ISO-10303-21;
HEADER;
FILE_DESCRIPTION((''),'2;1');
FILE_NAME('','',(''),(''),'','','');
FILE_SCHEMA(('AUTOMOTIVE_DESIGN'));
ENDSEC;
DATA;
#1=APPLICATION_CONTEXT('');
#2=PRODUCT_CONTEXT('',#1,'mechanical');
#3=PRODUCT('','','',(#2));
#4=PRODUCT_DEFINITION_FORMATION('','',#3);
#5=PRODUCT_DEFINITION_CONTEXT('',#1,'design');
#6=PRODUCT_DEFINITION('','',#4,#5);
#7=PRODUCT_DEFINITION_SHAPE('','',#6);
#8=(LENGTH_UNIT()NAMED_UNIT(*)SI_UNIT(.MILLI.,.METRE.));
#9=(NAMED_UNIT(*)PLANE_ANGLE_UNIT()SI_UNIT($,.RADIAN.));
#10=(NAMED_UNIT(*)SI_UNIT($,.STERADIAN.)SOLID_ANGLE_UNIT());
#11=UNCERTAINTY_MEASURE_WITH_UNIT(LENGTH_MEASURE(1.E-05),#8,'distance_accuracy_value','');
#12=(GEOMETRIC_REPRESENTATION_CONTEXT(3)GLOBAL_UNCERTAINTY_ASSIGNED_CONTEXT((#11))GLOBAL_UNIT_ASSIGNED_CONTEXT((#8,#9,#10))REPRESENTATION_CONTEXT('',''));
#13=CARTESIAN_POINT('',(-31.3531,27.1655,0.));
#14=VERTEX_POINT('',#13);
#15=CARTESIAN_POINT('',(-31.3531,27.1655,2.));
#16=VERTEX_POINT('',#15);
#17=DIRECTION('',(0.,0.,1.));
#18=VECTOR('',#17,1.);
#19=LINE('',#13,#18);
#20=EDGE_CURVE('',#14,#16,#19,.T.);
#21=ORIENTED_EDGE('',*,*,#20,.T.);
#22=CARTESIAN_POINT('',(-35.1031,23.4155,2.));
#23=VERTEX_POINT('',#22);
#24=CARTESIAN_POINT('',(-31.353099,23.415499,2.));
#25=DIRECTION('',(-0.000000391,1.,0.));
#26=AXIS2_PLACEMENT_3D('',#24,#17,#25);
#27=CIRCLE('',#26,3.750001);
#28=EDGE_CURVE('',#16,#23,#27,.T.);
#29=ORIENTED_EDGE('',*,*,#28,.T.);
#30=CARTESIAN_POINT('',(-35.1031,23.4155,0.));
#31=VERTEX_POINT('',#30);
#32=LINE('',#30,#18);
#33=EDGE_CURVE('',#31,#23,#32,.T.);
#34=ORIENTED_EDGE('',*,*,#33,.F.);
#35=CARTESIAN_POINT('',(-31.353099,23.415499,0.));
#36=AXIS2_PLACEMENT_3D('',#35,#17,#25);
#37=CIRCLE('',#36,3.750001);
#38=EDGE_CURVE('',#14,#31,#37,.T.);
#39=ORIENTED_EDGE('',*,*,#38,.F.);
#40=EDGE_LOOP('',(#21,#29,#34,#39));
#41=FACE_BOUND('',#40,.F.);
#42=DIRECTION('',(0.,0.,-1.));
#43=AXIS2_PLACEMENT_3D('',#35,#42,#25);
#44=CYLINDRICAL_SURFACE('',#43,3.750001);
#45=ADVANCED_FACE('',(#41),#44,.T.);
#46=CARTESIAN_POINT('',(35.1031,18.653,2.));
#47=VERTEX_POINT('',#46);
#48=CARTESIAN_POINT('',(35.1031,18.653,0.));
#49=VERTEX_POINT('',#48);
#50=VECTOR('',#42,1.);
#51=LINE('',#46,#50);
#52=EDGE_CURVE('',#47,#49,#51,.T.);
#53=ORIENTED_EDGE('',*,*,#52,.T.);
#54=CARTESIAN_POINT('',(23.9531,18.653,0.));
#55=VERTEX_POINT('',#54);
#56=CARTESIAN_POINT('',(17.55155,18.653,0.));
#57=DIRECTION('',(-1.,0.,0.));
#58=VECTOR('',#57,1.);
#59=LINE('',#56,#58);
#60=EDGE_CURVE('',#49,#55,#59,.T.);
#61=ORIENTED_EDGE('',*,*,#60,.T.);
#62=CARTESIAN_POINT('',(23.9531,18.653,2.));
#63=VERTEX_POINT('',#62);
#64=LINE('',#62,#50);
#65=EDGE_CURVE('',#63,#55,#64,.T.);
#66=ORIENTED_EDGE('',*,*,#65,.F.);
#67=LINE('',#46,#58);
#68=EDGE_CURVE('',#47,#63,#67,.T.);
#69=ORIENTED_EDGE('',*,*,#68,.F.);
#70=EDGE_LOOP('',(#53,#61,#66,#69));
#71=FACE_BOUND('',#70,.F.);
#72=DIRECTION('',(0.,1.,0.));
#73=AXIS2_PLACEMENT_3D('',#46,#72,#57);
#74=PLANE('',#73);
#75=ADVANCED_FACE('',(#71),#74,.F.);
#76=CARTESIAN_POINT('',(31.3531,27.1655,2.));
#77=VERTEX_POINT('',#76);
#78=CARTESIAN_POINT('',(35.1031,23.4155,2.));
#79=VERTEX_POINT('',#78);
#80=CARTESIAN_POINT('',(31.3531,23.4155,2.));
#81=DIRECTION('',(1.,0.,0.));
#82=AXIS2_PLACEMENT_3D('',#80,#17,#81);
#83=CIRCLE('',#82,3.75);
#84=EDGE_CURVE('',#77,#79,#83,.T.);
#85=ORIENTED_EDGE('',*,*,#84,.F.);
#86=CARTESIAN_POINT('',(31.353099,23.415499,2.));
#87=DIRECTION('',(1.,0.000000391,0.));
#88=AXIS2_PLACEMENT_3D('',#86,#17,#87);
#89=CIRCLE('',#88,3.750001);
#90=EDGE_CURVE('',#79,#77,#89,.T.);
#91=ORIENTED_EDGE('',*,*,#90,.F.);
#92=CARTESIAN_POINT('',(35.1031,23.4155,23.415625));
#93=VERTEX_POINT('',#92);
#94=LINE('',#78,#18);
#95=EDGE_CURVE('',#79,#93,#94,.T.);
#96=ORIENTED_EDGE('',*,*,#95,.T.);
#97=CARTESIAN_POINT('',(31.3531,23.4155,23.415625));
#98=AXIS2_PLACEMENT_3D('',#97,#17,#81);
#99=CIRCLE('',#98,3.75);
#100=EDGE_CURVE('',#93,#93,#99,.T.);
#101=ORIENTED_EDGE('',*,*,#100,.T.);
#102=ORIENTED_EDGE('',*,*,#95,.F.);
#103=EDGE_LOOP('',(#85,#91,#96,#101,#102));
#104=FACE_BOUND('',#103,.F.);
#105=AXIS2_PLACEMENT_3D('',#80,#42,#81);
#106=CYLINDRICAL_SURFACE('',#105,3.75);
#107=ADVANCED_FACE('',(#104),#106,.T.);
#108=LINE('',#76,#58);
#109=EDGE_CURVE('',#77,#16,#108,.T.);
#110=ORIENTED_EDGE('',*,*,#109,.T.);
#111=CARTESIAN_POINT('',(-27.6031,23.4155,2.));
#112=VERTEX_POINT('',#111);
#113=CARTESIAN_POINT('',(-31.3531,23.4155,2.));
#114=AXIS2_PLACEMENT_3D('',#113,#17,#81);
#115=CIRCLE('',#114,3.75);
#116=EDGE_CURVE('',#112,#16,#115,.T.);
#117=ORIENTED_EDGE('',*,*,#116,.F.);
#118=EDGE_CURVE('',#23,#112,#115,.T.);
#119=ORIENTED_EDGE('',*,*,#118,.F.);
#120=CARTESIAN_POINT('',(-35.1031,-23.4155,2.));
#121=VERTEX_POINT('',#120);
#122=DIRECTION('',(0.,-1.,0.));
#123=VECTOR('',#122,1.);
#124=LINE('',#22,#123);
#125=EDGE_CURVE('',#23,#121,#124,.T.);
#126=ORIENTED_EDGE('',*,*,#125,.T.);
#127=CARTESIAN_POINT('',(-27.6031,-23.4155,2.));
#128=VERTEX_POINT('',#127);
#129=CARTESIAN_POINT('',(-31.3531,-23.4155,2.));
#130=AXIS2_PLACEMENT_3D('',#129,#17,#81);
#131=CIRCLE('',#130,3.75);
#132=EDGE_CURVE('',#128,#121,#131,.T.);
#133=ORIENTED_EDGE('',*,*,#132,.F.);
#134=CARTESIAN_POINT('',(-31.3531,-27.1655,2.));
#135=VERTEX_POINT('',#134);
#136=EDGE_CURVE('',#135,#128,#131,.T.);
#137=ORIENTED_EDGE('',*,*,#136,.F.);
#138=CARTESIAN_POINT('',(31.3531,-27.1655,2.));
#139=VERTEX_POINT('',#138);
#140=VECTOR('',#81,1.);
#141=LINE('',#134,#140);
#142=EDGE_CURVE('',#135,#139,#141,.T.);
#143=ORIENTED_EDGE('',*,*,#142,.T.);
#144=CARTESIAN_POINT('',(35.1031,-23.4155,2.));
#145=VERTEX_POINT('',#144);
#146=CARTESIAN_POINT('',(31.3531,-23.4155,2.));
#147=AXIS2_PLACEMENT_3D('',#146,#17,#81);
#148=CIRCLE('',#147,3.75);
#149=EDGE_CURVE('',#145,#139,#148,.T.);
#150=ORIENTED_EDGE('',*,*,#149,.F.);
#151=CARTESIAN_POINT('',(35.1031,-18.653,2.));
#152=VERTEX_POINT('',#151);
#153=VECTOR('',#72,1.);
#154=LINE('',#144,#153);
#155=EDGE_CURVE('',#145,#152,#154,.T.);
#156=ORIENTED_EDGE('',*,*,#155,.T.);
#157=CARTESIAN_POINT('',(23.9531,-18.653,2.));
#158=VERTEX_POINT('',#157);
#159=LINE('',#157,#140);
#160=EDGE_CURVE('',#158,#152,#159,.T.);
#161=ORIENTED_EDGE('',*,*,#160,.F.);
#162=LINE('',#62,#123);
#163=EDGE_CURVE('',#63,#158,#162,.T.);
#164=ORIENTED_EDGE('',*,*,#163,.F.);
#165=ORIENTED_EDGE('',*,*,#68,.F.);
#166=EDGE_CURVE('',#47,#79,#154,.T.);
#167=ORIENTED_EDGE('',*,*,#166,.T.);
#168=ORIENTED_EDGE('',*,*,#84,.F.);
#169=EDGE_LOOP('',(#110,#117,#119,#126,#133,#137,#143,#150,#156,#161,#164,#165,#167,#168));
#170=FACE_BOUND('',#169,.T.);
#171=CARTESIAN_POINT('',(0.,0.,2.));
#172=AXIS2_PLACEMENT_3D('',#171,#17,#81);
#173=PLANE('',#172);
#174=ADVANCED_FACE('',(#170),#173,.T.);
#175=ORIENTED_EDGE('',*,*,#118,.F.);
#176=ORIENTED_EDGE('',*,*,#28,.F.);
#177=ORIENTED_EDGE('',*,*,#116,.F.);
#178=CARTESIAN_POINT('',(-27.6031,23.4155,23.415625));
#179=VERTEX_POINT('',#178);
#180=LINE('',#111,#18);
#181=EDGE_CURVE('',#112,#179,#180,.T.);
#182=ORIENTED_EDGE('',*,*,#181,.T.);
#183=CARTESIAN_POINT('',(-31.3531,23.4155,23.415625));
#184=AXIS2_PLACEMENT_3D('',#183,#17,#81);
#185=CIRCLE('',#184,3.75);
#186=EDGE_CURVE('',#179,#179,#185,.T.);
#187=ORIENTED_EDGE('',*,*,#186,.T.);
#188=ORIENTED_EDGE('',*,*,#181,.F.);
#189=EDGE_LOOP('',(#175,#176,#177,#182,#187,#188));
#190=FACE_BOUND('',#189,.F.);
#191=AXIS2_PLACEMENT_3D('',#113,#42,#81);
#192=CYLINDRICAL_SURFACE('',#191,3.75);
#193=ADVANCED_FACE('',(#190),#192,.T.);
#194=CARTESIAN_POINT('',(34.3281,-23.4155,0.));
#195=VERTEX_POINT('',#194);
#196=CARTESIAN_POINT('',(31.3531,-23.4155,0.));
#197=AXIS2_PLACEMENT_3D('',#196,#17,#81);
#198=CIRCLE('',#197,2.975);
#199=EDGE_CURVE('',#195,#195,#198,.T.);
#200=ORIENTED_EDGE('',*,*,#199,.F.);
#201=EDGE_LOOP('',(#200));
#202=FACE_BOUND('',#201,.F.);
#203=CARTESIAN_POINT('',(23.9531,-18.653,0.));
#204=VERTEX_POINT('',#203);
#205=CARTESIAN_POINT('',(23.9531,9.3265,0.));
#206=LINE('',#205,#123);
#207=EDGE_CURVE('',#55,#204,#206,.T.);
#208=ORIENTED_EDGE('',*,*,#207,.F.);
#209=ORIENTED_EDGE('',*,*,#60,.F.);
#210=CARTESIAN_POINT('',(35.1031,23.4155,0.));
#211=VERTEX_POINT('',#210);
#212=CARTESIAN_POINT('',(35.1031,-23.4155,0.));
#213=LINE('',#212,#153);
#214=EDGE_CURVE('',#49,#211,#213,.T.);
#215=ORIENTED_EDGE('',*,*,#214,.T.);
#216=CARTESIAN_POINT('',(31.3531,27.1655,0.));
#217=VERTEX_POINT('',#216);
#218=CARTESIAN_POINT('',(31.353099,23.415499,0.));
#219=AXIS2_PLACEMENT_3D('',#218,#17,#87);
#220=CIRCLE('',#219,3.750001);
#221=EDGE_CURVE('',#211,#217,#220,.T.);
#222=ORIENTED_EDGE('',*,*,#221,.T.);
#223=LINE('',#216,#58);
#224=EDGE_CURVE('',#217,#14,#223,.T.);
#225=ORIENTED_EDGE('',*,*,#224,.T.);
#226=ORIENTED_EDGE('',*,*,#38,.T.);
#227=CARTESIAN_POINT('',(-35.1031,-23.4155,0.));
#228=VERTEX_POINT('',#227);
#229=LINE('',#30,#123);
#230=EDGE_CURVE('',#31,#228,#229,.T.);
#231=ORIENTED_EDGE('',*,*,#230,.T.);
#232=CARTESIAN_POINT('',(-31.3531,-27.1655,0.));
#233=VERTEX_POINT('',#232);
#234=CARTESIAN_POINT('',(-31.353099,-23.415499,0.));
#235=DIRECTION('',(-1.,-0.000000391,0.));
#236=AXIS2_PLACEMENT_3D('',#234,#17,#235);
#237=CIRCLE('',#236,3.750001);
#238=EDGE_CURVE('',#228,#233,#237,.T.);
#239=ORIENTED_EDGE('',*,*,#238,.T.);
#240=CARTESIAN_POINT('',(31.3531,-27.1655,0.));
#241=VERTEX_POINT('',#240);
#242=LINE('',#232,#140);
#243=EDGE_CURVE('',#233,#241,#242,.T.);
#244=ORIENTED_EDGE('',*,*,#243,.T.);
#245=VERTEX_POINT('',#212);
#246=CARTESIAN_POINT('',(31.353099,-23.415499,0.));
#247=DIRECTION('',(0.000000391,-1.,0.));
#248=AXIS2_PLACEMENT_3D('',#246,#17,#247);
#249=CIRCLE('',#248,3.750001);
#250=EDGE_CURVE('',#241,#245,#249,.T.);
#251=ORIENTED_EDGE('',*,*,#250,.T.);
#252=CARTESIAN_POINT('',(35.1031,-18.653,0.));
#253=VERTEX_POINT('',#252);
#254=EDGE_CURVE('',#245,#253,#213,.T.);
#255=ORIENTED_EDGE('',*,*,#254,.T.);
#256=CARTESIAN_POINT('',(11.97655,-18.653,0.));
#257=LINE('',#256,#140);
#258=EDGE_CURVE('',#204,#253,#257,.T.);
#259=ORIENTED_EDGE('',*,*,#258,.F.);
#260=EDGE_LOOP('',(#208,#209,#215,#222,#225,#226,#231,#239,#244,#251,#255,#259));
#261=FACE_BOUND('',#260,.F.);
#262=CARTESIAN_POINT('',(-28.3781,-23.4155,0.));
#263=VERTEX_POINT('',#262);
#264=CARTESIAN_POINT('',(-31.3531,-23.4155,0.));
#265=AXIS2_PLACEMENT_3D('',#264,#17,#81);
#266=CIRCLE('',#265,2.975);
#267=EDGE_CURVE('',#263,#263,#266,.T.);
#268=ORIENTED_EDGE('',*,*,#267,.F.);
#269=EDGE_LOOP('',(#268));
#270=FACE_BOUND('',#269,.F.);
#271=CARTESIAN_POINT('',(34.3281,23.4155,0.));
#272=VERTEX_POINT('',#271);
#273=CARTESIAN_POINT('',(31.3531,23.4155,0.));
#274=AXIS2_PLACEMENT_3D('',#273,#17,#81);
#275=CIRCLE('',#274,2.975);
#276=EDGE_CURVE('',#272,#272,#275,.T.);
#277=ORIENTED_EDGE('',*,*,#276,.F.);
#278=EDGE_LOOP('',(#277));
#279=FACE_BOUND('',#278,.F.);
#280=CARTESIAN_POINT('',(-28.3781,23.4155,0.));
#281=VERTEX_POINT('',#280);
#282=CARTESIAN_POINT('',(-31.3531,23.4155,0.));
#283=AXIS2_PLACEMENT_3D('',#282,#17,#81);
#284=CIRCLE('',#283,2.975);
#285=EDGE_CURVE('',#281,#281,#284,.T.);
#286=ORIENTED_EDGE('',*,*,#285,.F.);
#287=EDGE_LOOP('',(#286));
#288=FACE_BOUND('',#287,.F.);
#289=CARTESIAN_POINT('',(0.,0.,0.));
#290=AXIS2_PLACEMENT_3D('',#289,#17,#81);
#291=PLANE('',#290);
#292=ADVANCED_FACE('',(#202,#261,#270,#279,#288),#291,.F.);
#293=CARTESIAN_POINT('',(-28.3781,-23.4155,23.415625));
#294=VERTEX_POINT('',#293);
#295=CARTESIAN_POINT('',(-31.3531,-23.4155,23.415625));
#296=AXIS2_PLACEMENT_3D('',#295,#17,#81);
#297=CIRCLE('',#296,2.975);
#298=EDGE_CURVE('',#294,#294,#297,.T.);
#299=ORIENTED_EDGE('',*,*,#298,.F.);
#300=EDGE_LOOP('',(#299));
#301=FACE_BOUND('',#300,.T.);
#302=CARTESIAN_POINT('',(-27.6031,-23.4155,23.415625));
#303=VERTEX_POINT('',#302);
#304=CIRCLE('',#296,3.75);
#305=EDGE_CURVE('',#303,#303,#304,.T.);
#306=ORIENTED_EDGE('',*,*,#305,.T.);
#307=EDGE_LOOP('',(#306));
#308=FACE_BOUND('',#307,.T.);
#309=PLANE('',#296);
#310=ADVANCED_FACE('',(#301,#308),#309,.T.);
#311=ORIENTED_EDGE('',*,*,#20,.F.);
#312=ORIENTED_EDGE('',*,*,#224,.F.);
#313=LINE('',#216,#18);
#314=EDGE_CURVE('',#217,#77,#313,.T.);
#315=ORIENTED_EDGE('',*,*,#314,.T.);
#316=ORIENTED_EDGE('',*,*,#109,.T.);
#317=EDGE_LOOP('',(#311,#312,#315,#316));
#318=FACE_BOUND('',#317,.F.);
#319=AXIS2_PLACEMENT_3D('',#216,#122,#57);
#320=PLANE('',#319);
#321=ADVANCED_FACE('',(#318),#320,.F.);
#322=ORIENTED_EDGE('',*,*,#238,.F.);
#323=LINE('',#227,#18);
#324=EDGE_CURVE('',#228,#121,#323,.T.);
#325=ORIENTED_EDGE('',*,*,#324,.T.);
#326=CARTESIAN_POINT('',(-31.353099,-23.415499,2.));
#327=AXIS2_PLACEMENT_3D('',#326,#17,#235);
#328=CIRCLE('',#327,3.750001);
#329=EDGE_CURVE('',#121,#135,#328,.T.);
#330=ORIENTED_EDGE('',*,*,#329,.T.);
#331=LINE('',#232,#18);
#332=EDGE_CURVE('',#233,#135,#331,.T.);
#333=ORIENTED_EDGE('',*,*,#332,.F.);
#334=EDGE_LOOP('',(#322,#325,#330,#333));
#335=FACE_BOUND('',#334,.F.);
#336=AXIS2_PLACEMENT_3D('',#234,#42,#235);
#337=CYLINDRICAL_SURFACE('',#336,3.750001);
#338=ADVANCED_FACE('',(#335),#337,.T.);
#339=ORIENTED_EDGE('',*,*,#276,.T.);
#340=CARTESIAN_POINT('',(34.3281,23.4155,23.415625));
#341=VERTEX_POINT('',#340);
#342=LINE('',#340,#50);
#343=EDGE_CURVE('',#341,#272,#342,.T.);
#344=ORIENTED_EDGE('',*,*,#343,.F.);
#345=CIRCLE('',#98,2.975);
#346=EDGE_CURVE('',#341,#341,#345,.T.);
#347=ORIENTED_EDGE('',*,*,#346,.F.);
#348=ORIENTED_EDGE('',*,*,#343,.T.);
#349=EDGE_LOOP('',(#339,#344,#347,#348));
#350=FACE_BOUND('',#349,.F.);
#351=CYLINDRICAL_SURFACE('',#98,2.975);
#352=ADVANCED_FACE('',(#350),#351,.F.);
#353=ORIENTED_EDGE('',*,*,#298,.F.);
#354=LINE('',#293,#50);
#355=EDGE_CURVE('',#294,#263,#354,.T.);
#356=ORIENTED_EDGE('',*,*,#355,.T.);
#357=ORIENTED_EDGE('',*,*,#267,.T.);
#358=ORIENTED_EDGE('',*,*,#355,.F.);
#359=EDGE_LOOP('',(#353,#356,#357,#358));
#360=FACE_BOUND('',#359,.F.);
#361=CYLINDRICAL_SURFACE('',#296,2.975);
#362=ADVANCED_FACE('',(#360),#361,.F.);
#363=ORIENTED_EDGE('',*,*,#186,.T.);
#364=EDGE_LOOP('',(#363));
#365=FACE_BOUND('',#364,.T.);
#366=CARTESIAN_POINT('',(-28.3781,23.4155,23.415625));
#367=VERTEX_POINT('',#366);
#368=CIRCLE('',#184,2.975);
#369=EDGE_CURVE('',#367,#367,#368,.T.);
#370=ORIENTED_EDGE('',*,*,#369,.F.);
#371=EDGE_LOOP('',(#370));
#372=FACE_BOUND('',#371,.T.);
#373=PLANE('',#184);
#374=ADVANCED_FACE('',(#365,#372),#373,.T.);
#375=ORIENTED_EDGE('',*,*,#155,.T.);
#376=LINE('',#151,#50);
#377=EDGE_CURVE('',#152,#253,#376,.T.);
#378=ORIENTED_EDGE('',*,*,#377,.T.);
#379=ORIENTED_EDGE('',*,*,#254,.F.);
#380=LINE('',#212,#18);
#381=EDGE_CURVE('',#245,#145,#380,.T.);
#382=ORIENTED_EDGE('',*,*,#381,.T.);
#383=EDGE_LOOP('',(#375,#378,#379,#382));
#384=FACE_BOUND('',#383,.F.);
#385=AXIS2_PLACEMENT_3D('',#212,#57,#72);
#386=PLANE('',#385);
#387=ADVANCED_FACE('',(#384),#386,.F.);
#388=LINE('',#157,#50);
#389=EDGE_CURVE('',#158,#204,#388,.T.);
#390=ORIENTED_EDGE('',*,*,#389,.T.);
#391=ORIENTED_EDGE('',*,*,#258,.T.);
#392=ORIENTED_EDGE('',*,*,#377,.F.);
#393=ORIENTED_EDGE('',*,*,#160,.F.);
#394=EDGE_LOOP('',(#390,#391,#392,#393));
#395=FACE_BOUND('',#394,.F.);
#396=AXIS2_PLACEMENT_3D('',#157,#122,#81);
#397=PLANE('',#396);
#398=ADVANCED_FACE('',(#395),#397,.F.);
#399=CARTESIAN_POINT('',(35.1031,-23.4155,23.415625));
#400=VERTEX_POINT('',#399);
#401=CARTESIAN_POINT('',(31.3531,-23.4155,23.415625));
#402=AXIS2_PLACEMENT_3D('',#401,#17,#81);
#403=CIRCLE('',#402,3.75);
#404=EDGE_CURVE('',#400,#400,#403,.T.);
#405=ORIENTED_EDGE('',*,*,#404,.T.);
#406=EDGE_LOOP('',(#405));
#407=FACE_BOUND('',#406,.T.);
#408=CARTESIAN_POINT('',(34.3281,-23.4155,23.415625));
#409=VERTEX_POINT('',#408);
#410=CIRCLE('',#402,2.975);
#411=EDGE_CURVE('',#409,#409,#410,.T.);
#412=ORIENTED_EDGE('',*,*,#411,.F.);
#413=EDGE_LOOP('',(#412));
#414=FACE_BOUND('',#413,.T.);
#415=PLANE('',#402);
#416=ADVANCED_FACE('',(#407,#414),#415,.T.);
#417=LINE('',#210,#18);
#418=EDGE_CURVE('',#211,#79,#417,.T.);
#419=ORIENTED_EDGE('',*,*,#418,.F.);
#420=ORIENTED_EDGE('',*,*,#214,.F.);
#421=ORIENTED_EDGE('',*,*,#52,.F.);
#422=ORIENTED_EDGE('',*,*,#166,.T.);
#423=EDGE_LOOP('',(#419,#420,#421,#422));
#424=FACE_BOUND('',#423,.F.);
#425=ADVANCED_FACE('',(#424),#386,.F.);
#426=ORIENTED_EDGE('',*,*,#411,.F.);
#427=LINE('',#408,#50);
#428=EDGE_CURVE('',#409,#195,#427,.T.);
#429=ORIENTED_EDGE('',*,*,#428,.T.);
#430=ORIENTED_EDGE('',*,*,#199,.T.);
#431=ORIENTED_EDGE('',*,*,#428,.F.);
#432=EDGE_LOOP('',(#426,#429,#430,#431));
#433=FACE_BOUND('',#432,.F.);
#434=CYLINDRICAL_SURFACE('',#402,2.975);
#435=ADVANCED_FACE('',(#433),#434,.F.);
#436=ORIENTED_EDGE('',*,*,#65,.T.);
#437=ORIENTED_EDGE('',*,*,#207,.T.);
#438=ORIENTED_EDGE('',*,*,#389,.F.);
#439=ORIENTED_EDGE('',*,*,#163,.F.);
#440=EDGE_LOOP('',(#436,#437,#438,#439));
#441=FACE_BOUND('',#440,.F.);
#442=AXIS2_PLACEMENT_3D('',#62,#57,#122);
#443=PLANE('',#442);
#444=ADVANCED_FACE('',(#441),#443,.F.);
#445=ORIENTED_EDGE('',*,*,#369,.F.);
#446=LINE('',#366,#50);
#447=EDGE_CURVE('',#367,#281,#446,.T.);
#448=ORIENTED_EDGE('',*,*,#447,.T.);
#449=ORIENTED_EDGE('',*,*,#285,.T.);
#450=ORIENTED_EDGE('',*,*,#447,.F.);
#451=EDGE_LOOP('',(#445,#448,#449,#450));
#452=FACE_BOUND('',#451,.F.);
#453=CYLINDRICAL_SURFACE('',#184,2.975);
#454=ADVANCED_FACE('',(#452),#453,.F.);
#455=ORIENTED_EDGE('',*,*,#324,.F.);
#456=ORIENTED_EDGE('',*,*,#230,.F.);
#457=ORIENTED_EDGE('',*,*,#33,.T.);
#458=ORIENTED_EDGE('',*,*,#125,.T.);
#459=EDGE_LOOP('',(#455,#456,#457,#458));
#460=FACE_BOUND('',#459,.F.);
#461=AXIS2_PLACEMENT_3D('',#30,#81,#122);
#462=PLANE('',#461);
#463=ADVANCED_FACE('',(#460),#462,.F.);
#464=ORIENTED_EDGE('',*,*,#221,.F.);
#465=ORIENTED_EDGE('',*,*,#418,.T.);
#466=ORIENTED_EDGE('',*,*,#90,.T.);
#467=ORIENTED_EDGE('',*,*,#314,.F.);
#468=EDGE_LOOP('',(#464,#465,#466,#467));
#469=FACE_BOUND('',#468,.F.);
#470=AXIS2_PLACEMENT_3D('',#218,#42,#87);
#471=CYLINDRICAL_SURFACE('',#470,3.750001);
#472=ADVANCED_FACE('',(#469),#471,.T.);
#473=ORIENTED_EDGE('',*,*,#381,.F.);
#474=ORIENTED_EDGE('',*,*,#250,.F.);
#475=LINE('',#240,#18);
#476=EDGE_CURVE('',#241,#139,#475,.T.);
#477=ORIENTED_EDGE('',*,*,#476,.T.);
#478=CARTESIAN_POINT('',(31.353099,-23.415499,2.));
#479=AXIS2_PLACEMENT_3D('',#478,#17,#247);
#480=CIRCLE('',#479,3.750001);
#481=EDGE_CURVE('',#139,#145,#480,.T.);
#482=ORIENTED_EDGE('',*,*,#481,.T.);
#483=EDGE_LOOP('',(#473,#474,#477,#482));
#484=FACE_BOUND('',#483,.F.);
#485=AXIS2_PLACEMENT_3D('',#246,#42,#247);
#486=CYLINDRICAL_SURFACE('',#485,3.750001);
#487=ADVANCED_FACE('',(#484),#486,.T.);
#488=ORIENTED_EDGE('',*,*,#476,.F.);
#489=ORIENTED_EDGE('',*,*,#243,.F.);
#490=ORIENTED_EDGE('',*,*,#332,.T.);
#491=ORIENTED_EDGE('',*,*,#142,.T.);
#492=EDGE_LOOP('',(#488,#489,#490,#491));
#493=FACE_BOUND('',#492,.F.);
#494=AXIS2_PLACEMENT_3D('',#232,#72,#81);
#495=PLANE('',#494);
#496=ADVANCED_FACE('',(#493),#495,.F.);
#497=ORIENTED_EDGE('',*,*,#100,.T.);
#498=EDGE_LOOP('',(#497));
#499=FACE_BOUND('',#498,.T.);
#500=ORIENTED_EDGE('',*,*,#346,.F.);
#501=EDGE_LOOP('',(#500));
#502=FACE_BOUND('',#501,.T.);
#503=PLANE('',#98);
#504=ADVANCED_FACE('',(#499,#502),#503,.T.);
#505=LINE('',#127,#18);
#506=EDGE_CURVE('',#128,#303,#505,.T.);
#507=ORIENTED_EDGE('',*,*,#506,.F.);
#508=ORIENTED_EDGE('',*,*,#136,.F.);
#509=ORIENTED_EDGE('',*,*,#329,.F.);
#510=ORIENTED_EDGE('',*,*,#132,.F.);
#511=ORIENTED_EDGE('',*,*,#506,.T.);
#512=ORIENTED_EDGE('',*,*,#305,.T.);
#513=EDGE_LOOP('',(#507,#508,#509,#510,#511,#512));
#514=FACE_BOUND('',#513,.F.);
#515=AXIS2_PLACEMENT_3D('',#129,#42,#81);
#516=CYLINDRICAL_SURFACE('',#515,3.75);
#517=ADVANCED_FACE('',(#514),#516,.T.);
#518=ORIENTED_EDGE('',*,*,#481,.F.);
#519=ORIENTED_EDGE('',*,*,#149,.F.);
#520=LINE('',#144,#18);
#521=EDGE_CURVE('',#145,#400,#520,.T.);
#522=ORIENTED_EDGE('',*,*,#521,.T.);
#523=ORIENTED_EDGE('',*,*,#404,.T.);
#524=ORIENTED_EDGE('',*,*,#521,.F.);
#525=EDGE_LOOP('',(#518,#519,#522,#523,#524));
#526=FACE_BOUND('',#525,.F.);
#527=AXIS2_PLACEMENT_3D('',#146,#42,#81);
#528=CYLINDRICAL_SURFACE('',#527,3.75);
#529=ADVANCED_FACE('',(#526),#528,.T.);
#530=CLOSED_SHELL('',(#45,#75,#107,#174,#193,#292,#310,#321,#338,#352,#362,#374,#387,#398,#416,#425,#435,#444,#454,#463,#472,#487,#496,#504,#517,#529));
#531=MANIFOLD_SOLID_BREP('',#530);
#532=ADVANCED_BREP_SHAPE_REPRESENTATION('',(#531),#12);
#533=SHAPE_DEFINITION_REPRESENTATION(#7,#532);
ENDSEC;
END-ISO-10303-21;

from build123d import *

# Parameters (mm, degrees)
F1_DEPTH = 2
F2_R     = 3.75
F3_DEPTH = 21.415625
F4_R     = 2.975
F5_DEPTH = 23.416625
F7_DEPTH = 2.001


with BuildPart() as f1:
    # F0 (on Top) → F1 (new body)
    with BuildSketch(Plane.XY):
        with BuildLine():
            Line((-31.3531, -27.1655), (31.3531, -27.1655))
            ThreePointArc((31.3531, -27.1655), (34.00475, -26.06715), (35.1031, -23.4155))
            Line((35.1031, -23.4155), (35.1031, 23.4155))
            ThreePointArc((35.1031, 23.4155), (34.00475, 26.06715), (31.3531, 27.1655))
            Line((31.3531, 27.1655), (-31.3531, 27.1655))
            ThreePointArc((-31.3531, 27.1655), (-34.00475, 26.06715), (-35.1031, 23.4155))
            Line((-35.1031, 23.4155), (-35.1031, -23.4155))
            ThreePointArc((-35.1031, -23.4155), (-34.00475, -26.06715), (-31.3531, -27.1655))
        make_face()
    extrude(amount=F1_DEPTH)

    # F2 (on face) → F3 (join)
    with BuildSketch(Plane.XY.offset(2)):
        with Locations((-31.3531, 23.4155)):
            Circle(F2_R)
        with Locations((31.3531, 23.4155)):
            Circle(F2_R)
        with Locations((-31.3531, -23.4155)):
            Circle(F2_R)
        with Locations((31.3531, -23.4155)):
            Circle(F2_R)
    extrude(amount=F3_DEPTH)

    # F4 (on face) → F5 (cut, through all)
    with BuildSketch(Plane.XY.offset(23.415625)):
        with Locations((-31.3531, 23.4155)):
            Circle(F4_R)
        with Locations((31.3531, 23.4155)):
            Circle(F4_R)
        with Locations((31.3531, -23.4155)):
            Circle(F4_R)
        with Locations((-31.3531, -23.4155)):
            Circle(F4_R)
    extrude(amount=-F5_DEPTH, mode=Mode.SUBTRACT)

    # F6 (on face) → F7 (cut, through all)
    with BuildSketch(Plane.XY.offset(2)):
        Polygon((23.9531, 18.653), (23.9531, 0), (23.9531, -18.653), (35.1031, -18.653), (35.1031, 18.653), align=None)
    extrude(amount=-F7_DEPTH, mode=Mode.SUBTRACT)


solid = f1.part
